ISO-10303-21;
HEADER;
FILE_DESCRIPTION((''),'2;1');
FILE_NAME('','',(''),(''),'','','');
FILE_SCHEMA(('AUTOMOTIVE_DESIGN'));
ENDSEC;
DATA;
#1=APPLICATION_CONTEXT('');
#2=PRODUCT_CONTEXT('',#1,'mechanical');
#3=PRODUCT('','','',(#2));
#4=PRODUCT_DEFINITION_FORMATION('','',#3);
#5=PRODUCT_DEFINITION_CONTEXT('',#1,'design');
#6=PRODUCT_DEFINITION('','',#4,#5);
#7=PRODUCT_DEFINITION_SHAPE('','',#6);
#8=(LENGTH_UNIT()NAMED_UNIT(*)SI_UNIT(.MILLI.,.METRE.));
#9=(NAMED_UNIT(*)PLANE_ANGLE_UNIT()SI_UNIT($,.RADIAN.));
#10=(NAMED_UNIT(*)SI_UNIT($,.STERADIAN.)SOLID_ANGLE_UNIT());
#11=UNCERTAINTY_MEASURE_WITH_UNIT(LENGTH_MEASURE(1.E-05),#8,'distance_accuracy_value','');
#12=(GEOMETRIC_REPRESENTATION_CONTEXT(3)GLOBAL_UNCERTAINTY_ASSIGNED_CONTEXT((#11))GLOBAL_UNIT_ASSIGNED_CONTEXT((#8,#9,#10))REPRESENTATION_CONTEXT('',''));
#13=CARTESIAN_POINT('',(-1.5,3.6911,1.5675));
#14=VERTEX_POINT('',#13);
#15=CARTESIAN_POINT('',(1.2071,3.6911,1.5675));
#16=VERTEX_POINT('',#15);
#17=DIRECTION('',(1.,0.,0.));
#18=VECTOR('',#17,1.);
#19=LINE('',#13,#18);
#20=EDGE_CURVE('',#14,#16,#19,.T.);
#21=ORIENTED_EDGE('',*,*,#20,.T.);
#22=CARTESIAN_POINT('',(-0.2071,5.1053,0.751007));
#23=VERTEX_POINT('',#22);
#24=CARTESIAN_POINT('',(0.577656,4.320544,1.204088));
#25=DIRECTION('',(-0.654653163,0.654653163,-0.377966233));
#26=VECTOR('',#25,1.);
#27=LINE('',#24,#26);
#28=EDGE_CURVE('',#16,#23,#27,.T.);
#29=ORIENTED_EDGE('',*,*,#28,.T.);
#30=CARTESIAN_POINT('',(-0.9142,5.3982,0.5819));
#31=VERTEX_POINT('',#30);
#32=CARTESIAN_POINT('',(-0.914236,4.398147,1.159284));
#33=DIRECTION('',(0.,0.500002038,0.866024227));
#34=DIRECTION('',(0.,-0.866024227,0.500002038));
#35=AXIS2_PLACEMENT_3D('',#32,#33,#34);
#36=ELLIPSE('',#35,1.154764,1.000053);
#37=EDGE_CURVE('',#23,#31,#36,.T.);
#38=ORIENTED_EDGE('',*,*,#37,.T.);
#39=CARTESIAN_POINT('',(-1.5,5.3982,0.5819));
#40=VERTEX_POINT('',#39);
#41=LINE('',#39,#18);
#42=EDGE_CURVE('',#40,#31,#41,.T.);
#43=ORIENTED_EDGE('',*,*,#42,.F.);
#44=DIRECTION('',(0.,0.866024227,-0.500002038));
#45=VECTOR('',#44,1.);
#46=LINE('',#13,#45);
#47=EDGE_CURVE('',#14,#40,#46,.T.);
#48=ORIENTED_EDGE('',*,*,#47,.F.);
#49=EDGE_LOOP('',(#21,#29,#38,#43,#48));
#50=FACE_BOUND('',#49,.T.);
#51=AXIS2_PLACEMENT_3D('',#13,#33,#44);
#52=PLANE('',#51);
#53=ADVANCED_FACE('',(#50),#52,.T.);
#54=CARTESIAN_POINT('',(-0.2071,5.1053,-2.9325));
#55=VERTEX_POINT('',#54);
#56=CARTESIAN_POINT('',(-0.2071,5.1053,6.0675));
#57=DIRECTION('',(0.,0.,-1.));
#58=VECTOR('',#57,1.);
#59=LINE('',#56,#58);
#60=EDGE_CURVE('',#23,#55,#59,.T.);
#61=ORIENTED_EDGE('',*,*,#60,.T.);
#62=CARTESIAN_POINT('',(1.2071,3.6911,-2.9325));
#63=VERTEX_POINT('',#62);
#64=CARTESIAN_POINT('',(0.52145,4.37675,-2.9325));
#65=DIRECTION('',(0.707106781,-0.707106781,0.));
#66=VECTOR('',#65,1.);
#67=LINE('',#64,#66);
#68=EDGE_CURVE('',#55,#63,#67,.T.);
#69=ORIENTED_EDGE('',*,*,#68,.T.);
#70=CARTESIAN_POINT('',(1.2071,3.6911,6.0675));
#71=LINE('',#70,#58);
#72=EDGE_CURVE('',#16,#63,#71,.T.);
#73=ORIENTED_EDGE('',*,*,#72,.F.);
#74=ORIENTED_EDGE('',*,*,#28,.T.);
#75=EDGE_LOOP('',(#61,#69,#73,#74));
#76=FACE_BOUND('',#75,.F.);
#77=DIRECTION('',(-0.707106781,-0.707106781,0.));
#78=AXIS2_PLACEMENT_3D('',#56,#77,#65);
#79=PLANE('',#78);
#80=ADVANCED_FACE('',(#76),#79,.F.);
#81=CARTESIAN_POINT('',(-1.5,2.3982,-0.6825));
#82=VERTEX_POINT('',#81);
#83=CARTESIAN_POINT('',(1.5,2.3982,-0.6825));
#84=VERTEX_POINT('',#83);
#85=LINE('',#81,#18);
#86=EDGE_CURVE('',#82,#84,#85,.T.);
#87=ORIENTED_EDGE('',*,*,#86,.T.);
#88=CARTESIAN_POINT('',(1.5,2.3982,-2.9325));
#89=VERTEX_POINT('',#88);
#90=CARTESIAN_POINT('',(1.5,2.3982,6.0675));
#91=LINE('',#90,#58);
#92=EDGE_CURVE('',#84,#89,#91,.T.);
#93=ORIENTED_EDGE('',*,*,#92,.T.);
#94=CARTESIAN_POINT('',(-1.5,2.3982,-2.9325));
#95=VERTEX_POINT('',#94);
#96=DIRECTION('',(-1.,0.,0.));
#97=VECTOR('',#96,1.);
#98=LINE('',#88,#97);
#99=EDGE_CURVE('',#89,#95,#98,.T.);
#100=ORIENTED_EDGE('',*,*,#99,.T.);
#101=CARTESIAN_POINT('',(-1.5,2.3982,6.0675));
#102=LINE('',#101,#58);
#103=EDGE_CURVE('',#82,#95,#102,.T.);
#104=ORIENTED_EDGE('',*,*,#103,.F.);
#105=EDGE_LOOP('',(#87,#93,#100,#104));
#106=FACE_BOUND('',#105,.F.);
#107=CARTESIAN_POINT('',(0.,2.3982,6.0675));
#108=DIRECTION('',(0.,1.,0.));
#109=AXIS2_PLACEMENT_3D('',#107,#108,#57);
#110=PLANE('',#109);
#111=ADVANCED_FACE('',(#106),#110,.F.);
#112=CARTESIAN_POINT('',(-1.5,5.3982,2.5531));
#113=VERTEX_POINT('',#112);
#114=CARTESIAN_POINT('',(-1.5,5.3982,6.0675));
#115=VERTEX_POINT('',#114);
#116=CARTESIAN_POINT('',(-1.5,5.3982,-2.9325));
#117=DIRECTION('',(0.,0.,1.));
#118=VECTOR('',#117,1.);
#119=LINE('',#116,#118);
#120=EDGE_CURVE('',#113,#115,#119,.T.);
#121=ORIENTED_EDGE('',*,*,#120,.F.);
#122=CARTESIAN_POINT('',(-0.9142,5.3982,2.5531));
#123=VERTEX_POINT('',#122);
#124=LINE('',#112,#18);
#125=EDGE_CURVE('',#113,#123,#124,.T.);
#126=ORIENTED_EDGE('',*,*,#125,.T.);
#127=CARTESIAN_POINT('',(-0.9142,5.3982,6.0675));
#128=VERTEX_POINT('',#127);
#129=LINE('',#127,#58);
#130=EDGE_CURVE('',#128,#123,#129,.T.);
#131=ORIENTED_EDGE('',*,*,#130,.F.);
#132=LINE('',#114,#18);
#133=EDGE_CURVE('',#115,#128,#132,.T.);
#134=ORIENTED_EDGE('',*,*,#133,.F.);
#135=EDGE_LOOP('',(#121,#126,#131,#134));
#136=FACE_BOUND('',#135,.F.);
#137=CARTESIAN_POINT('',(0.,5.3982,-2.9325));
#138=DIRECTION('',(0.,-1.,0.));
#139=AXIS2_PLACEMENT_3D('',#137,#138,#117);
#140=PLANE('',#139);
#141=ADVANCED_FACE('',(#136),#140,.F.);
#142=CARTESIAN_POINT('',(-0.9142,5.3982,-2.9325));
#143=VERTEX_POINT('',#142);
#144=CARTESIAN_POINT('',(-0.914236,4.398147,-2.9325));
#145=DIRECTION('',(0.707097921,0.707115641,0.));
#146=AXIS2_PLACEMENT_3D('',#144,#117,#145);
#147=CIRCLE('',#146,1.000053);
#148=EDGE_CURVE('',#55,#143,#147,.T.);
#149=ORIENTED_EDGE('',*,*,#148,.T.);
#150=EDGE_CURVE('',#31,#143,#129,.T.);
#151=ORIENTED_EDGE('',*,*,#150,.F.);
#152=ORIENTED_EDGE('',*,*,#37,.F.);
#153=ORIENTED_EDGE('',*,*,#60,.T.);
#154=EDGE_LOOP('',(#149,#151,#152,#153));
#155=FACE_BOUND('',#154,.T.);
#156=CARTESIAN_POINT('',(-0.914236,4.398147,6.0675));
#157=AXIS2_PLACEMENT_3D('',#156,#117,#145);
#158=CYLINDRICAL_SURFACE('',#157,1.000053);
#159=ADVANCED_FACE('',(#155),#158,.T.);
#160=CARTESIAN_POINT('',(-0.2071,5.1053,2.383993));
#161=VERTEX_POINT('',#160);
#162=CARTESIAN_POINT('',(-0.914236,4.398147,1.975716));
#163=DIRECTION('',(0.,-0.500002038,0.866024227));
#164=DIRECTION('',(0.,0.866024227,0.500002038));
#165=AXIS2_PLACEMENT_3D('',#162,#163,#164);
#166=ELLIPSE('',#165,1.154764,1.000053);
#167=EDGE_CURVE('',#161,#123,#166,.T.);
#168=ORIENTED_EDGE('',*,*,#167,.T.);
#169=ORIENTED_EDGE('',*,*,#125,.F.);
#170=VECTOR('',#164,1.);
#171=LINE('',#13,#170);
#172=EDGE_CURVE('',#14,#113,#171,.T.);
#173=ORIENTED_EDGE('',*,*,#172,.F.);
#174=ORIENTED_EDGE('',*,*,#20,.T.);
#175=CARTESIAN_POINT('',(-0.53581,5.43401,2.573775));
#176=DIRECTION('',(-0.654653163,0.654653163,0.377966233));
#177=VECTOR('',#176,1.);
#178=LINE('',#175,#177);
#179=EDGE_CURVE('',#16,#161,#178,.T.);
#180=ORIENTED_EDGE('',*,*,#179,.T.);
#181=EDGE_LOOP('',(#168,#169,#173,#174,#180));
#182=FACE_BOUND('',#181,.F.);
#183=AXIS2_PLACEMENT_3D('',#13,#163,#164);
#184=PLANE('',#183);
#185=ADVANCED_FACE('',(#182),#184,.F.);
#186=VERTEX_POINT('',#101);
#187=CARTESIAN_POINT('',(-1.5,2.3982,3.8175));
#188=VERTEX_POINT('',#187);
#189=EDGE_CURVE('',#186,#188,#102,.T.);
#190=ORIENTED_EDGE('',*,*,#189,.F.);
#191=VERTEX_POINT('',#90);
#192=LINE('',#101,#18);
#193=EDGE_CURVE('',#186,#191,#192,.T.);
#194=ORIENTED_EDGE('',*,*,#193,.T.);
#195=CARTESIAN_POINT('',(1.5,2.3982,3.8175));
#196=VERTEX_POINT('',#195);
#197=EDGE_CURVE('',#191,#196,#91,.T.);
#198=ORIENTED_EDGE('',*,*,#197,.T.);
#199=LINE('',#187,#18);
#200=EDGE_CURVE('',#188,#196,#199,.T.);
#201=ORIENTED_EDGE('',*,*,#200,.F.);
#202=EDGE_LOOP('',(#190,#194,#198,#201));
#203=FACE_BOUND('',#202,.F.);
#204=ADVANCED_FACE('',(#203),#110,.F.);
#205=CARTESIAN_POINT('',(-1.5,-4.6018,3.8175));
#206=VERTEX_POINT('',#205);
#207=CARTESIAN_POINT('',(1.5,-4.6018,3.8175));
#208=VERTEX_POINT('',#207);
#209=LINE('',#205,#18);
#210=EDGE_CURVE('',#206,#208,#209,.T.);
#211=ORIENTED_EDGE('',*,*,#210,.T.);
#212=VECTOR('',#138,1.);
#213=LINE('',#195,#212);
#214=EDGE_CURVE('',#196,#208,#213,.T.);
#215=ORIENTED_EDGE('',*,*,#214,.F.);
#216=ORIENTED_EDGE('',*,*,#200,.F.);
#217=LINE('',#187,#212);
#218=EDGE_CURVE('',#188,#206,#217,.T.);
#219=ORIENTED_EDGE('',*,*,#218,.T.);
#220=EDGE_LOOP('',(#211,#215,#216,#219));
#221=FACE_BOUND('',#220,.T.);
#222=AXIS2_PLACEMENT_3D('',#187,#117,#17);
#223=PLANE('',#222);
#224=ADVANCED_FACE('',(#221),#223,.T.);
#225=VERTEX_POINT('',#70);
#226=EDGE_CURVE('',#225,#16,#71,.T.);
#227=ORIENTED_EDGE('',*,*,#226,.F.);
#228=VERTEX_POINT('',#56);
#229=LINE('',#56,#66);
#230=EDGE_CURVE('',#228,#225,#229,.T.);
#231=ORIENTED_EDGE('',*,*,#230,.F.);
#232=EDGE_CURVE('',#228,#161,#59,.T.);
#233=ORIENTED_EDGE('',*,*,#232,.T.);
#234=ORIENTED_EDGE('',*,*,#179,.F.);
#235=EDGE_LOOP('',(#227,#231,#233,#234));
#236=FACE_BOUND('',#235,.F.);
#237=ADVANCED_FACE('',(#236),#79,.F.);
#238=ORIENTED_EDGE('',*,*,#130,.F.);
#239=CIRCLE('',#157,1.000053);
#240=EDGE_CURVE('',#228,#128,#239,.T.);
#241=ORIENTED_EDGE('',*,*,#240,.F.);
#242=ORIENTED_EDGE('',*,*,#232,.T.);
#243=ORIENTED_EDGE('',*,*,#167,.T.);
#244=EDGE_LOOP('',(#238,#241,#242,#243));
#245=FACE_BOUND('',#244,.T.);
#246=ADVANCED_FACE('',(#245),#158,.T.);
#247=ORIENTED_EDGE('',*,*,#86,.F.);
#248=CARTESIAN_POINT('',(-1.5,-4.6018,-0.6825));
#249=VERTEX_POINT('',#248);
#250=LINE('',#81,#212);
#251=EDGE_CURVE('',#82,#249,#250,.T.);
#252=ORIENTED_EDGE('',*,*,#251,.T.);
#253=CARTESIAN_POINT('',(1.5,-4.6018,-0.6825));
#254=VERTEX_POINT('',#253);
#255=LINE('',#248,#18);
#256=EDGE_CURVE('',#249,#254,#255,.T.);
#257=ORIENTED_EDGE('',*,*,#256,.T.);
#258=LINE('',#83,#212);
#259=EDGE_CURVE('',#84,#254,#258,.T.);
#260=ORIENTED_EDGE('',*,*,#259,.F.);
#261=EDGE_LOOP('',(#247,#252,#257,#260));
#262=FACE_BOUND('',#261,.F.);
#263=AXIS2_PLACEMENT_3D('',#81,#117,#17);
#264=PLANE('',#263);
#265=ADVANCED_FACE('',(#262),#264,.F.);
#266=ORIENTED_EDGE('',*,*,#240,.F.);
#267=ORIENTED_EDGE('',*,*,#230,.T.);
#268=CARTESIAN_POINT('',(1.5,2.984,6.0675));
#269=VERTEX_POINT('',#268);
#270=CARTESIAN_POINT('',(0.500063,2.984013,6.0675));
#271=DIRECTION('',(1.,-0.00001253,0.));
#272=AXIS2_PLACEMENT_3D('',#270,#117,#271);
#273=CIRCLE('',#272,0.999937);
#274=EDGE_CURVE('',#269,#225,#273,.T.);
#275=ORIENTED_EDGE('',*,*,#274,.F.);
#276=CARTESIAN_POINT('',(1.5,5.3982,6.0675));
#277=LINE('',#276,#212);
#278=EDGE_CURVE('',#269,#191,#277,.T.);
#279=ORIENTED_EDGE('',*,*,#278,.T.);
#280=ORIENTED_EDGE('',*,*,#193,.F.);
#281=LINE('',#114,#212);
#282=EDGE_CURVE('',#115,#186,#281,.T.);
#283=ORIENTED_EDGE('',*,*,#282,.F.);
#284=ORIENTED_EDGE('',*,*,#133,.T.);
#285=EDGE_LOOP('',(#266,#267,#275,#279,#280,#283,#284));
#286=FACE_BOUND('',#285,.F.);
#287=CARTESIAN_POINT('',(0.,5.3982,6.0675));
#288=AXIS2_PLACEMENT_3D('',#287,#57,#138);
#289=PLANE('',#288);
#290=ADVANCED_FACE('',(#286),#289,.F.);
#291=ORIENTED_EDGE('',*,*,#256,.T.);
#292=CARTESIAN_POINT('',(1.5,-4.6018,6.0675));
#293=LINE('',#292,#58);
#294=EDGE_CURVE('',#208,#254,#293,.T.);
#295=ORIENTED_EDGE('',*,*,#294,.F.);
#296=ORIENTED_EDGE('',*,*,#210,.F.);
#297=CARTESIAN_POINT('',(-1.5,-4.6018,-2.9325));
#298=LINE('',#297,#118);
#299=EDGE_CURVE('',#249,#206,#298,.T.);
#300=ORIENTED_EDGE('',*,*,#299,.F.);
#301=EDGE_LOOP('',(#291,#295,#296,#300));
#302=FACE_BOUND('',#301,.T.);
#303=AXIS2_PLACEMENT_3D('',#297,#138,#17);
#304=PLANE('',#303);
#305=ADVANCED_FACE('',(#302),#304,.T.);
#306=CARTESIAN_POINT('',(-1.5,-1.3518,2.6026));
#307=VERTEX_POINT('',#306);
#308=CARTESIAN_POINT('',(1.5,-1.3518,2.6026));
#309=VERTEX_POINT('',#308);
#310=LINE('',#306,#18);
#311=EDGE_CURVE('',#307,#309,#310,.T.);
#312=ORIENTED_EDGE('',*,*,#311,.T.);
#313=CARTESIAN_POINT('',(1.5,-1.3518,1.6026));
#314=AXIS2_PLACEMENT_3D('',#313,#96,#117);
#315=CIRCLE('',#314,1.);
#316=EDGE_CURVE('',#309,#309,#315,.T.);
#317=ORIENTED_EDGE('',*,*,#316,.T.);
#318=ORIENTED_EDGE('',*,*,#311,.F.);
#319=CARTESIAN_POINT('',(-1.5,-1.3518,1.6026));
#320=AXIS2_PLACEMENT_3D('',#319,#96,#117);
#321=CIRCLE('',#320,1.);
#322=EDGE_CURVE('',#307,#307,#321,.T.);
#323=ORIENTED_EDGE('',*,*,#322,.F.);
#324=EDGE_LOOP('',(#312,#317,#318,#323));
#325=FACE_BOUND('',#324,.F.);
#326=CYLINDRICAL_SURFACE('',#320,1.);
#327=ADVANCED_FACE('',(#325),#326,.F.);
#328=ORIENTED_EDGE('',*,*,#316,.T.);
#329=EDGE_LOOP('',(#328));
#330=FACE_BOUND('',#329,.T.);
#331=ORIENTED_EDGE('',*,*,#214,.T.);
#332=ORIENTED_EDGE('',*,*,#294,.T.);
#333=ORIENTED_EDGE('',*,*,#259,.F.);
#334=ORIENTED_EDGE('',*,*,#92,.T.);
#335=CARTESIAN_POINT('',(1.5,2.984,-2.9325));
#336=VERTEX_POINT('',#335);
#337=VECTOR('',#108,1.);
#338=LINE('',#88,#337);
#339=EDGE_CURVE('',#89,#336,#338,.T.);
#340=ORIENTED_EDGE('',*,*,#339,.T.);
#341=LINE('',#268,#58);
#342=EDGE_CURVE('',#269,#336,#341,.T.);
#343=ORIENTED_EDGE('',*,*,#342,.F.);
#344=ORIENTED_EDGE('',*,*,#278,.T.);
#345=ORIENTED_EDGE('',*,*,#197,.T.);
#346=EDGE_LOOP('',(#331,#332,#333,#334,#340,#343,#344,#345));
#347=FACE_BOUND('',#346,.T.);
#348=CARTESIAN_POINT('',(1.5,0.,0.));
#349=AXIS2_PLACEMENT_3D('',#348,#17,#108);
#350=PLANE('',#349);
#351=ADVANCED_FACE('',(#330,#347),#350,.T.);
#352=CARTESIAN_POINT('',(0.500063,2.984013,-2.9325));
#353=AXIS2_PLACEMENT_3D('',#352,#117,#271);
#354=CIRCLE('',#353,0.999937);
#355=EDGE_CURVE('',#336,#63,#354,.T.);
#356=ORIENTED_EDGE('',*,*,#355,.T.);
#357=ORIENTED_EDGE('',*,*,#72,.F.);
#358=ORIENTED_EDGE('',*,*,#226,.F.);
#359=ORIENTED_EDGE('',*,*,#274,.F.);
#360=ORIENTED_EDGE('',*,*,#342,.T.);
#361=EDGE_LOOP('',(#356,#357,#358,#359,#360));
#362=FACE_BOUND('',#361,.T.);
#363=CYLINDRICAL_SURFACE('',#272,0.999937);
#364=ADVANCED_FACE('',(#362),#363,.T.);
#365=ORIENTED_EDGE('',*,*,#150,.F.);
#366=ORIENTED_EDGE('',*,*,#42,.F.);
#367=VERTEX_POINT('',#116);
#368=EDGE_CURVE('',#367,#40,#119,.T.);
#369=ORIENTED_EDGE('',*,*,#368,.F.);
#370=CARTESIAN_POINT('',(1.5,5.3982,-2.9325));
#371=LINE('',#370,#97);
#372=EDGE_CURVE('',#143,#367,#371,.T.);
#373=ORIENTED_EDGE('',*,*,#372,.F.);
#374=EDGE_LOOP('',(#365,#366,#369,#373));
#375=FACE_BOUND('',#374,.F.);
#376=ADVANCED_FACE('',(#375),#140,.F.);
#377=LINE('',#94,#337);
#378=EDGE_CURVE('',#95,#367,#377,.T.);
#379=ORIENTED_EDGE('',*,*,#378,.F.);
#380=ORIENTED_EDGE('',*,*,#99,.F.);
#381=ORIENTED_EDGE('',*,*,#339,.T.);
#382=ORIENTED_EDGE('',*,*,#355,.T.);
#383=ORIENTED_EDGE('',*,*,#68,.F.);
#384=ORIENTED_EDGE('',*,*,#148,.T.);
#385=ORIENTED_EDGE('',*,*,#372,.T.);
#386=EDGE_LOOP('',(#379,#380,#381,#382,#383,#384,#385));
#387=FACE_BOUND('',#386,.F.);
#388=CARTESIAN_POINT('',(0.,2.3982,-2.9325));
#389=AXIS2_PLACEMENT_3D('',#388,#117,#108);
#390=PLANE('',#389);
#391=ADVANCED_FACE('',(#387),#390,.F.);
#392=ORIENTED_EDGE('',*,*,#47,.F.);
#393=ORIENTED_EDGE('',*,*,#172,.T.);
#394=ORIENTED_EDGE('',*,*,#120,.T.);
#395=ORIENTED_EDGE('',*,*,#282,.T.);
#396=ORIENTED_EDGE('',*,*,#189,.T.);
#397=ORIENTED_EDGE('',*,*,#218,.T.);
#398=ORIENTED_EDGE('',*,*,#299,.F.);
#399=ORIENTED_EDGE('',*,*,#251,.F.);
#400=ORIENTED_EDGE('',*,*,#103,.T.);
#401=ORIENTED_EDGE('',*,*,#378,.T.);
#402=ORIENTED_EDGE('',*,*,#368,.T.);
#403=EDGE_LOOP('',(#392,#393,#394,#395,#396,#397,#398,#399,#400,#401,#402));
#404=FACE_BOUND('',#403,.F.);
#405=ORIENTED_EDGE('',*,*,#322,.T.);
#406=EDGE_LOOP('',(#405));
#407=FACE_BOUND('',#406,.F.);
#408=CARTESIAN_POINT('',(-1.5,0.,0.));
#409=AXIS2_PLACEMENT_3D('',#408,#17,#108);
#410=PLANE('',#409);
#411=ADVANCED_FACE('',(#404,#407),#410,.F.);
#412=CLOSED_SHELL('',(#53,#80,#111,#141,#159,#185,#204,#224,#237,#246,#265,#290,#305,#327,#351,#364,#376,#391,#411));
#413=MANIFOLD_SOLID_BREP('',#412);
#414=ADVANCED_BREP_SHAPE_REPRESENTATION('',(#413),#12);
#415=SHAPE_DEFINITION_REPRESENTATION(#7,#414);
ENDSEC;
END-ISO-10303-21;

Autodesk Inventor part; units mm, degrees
ref_plane "YZ Plane" through (0, 0, 0) normal (1, 0, 0) x (0, 1, 0)
ref_plane "XZ Plane" through (0, 0, 0) normal (0, 1, 0) x (-1, 0, 0)
ref_plane "XY Plane" through (0, 0, 0) normal (0, 0, 1) x (1, 0, 0)
sketch "Sketch1" plane through (0, 0, 0) normal (1, 0, 0) x (0, 1, 0)
  line L0 (5.3982, 6.0675) -> (2.3982, 6.0675)
  line L1 (2.3982, 6.0675) -> (2.3982, -2.9325)
  line L2 (2.3982, -2.9325) -> (5.3982, -2.9325)
  line L3 (5.3982, -2.9325) -> (5.3982, 6.0675)
  point P0 (0, 0)
  dimension "d0" = 3
  dimension "d1" = 9
extrude "Extrusion1" add sketch "Sketch1" along normal mid plane 3
sketch "Sketch2" plane through (-1.5, 2.3982, 6.0675) normal (0, 0, 1) x (1, 0, 0)
  line L0 (0, 3) -> (3, 3) projected
  line L1 (0, 3) -> (0.5858, 3)
  line L2 (3, 3) -> (3, 0) projected
  line L3 (3, 0) -> (3, 0.5858)
  line L4 (1.2929, 2.7071) -> (2.7071, 1.2929)
  arc A0 (1.2929, 2.7071) -> (0.5858, 3) centre (0.5858, 2) ccw
  arc A1 (3, 0.5858) -> (2.7071, 1.2929) centre (2, 0.5858) ccw
  line L5 (0.5858, 3) -> (3, 3)
  arc A2 (1.2929, 2.7071) -> (0.5858, 3) centre (0.5858, 2) ccw
  arc A3 (3, 0.5858) -> (2.7071, 1.2929) centre (2, 0.5858) ccw
  line L6 (3, 3) -> (3, 0.5858)
  point P0 (1.5, -2.3982)
  point P1 (1, 3)
  point P2 (3, 1)
  dimension "d5" = 1
extrude "Extrusion2" cut sketch "Sketch2" against normal blind 50
sketch "Sketch4" plane through (-1.5, 0, 0) normal (-1, 0, 0) x (0, 0, 1)
  line L0 (6.0675, 5.3982) -> (-2.9325, 5.3982) projected
  line L1 (6.0675, 2.3982) -> (-2.9325, 2.3982) projected
  line L2 (6.0675, 3.6911) -> (-2.9325, 3.6911) projected
  line L3 (1.5675, 3.6911) -> (2.5531, 5.3982)
  line L4 (1.5675, 3.6911) -> (3.5387, 3.6911) construction
  line L5 (1.5675, 3.6911) -> (0.5819, 5.3982)
  line L6 (0.5819, 5.3982) -> (2.5531, 5.3982)
  point P0 (0, 0)
  dimension "d10" = 60
extrude "Extrusion3" cut sketch "Sketch4" against normal blind 50
sketch "Sketch5" plane through (-1.5, 2.3982, -2.9325) normal (0, -1, 0) x (1, 0, 0)
  line L0 (3, 9) -> (3, 0) projected
  line L1 (0, 0) -> (0, 9) projected
  line L2 (0, 6.75) -> (3, 6.75)
  line L3 (0, 2.25) -> (3, 2.25)
  line L4 (0, 2.25) -> (0, 6.75)
  line L5 (3, 2.25) -> (3, 6.75)
  point P0 (1.5, 2.9325)
  point P1 (0, 4.5)
extrude "Extrusion4" add sketch "Sketch5" along normal blind 7
sketch "Sketch7" plane through (-1.5, 0, 0) normal (-1, 0, 0) x (0, 0, 1)
  line L0 (-2.9325, 2.3982) -> (-0.6825, 2.3982) projected
  circle A0 centre (1.6026, -1.3518) radius 1
  point P0 (0.6868, -0.5794)
extrude "Extrusion5" cut sketch "Sketch7" against normal blind 3
thread "Thread1" size "M2x0.25" class "6H" standard "ANSI Metric M Profile" full length
properties part number "Apoio móvel da ponte"
